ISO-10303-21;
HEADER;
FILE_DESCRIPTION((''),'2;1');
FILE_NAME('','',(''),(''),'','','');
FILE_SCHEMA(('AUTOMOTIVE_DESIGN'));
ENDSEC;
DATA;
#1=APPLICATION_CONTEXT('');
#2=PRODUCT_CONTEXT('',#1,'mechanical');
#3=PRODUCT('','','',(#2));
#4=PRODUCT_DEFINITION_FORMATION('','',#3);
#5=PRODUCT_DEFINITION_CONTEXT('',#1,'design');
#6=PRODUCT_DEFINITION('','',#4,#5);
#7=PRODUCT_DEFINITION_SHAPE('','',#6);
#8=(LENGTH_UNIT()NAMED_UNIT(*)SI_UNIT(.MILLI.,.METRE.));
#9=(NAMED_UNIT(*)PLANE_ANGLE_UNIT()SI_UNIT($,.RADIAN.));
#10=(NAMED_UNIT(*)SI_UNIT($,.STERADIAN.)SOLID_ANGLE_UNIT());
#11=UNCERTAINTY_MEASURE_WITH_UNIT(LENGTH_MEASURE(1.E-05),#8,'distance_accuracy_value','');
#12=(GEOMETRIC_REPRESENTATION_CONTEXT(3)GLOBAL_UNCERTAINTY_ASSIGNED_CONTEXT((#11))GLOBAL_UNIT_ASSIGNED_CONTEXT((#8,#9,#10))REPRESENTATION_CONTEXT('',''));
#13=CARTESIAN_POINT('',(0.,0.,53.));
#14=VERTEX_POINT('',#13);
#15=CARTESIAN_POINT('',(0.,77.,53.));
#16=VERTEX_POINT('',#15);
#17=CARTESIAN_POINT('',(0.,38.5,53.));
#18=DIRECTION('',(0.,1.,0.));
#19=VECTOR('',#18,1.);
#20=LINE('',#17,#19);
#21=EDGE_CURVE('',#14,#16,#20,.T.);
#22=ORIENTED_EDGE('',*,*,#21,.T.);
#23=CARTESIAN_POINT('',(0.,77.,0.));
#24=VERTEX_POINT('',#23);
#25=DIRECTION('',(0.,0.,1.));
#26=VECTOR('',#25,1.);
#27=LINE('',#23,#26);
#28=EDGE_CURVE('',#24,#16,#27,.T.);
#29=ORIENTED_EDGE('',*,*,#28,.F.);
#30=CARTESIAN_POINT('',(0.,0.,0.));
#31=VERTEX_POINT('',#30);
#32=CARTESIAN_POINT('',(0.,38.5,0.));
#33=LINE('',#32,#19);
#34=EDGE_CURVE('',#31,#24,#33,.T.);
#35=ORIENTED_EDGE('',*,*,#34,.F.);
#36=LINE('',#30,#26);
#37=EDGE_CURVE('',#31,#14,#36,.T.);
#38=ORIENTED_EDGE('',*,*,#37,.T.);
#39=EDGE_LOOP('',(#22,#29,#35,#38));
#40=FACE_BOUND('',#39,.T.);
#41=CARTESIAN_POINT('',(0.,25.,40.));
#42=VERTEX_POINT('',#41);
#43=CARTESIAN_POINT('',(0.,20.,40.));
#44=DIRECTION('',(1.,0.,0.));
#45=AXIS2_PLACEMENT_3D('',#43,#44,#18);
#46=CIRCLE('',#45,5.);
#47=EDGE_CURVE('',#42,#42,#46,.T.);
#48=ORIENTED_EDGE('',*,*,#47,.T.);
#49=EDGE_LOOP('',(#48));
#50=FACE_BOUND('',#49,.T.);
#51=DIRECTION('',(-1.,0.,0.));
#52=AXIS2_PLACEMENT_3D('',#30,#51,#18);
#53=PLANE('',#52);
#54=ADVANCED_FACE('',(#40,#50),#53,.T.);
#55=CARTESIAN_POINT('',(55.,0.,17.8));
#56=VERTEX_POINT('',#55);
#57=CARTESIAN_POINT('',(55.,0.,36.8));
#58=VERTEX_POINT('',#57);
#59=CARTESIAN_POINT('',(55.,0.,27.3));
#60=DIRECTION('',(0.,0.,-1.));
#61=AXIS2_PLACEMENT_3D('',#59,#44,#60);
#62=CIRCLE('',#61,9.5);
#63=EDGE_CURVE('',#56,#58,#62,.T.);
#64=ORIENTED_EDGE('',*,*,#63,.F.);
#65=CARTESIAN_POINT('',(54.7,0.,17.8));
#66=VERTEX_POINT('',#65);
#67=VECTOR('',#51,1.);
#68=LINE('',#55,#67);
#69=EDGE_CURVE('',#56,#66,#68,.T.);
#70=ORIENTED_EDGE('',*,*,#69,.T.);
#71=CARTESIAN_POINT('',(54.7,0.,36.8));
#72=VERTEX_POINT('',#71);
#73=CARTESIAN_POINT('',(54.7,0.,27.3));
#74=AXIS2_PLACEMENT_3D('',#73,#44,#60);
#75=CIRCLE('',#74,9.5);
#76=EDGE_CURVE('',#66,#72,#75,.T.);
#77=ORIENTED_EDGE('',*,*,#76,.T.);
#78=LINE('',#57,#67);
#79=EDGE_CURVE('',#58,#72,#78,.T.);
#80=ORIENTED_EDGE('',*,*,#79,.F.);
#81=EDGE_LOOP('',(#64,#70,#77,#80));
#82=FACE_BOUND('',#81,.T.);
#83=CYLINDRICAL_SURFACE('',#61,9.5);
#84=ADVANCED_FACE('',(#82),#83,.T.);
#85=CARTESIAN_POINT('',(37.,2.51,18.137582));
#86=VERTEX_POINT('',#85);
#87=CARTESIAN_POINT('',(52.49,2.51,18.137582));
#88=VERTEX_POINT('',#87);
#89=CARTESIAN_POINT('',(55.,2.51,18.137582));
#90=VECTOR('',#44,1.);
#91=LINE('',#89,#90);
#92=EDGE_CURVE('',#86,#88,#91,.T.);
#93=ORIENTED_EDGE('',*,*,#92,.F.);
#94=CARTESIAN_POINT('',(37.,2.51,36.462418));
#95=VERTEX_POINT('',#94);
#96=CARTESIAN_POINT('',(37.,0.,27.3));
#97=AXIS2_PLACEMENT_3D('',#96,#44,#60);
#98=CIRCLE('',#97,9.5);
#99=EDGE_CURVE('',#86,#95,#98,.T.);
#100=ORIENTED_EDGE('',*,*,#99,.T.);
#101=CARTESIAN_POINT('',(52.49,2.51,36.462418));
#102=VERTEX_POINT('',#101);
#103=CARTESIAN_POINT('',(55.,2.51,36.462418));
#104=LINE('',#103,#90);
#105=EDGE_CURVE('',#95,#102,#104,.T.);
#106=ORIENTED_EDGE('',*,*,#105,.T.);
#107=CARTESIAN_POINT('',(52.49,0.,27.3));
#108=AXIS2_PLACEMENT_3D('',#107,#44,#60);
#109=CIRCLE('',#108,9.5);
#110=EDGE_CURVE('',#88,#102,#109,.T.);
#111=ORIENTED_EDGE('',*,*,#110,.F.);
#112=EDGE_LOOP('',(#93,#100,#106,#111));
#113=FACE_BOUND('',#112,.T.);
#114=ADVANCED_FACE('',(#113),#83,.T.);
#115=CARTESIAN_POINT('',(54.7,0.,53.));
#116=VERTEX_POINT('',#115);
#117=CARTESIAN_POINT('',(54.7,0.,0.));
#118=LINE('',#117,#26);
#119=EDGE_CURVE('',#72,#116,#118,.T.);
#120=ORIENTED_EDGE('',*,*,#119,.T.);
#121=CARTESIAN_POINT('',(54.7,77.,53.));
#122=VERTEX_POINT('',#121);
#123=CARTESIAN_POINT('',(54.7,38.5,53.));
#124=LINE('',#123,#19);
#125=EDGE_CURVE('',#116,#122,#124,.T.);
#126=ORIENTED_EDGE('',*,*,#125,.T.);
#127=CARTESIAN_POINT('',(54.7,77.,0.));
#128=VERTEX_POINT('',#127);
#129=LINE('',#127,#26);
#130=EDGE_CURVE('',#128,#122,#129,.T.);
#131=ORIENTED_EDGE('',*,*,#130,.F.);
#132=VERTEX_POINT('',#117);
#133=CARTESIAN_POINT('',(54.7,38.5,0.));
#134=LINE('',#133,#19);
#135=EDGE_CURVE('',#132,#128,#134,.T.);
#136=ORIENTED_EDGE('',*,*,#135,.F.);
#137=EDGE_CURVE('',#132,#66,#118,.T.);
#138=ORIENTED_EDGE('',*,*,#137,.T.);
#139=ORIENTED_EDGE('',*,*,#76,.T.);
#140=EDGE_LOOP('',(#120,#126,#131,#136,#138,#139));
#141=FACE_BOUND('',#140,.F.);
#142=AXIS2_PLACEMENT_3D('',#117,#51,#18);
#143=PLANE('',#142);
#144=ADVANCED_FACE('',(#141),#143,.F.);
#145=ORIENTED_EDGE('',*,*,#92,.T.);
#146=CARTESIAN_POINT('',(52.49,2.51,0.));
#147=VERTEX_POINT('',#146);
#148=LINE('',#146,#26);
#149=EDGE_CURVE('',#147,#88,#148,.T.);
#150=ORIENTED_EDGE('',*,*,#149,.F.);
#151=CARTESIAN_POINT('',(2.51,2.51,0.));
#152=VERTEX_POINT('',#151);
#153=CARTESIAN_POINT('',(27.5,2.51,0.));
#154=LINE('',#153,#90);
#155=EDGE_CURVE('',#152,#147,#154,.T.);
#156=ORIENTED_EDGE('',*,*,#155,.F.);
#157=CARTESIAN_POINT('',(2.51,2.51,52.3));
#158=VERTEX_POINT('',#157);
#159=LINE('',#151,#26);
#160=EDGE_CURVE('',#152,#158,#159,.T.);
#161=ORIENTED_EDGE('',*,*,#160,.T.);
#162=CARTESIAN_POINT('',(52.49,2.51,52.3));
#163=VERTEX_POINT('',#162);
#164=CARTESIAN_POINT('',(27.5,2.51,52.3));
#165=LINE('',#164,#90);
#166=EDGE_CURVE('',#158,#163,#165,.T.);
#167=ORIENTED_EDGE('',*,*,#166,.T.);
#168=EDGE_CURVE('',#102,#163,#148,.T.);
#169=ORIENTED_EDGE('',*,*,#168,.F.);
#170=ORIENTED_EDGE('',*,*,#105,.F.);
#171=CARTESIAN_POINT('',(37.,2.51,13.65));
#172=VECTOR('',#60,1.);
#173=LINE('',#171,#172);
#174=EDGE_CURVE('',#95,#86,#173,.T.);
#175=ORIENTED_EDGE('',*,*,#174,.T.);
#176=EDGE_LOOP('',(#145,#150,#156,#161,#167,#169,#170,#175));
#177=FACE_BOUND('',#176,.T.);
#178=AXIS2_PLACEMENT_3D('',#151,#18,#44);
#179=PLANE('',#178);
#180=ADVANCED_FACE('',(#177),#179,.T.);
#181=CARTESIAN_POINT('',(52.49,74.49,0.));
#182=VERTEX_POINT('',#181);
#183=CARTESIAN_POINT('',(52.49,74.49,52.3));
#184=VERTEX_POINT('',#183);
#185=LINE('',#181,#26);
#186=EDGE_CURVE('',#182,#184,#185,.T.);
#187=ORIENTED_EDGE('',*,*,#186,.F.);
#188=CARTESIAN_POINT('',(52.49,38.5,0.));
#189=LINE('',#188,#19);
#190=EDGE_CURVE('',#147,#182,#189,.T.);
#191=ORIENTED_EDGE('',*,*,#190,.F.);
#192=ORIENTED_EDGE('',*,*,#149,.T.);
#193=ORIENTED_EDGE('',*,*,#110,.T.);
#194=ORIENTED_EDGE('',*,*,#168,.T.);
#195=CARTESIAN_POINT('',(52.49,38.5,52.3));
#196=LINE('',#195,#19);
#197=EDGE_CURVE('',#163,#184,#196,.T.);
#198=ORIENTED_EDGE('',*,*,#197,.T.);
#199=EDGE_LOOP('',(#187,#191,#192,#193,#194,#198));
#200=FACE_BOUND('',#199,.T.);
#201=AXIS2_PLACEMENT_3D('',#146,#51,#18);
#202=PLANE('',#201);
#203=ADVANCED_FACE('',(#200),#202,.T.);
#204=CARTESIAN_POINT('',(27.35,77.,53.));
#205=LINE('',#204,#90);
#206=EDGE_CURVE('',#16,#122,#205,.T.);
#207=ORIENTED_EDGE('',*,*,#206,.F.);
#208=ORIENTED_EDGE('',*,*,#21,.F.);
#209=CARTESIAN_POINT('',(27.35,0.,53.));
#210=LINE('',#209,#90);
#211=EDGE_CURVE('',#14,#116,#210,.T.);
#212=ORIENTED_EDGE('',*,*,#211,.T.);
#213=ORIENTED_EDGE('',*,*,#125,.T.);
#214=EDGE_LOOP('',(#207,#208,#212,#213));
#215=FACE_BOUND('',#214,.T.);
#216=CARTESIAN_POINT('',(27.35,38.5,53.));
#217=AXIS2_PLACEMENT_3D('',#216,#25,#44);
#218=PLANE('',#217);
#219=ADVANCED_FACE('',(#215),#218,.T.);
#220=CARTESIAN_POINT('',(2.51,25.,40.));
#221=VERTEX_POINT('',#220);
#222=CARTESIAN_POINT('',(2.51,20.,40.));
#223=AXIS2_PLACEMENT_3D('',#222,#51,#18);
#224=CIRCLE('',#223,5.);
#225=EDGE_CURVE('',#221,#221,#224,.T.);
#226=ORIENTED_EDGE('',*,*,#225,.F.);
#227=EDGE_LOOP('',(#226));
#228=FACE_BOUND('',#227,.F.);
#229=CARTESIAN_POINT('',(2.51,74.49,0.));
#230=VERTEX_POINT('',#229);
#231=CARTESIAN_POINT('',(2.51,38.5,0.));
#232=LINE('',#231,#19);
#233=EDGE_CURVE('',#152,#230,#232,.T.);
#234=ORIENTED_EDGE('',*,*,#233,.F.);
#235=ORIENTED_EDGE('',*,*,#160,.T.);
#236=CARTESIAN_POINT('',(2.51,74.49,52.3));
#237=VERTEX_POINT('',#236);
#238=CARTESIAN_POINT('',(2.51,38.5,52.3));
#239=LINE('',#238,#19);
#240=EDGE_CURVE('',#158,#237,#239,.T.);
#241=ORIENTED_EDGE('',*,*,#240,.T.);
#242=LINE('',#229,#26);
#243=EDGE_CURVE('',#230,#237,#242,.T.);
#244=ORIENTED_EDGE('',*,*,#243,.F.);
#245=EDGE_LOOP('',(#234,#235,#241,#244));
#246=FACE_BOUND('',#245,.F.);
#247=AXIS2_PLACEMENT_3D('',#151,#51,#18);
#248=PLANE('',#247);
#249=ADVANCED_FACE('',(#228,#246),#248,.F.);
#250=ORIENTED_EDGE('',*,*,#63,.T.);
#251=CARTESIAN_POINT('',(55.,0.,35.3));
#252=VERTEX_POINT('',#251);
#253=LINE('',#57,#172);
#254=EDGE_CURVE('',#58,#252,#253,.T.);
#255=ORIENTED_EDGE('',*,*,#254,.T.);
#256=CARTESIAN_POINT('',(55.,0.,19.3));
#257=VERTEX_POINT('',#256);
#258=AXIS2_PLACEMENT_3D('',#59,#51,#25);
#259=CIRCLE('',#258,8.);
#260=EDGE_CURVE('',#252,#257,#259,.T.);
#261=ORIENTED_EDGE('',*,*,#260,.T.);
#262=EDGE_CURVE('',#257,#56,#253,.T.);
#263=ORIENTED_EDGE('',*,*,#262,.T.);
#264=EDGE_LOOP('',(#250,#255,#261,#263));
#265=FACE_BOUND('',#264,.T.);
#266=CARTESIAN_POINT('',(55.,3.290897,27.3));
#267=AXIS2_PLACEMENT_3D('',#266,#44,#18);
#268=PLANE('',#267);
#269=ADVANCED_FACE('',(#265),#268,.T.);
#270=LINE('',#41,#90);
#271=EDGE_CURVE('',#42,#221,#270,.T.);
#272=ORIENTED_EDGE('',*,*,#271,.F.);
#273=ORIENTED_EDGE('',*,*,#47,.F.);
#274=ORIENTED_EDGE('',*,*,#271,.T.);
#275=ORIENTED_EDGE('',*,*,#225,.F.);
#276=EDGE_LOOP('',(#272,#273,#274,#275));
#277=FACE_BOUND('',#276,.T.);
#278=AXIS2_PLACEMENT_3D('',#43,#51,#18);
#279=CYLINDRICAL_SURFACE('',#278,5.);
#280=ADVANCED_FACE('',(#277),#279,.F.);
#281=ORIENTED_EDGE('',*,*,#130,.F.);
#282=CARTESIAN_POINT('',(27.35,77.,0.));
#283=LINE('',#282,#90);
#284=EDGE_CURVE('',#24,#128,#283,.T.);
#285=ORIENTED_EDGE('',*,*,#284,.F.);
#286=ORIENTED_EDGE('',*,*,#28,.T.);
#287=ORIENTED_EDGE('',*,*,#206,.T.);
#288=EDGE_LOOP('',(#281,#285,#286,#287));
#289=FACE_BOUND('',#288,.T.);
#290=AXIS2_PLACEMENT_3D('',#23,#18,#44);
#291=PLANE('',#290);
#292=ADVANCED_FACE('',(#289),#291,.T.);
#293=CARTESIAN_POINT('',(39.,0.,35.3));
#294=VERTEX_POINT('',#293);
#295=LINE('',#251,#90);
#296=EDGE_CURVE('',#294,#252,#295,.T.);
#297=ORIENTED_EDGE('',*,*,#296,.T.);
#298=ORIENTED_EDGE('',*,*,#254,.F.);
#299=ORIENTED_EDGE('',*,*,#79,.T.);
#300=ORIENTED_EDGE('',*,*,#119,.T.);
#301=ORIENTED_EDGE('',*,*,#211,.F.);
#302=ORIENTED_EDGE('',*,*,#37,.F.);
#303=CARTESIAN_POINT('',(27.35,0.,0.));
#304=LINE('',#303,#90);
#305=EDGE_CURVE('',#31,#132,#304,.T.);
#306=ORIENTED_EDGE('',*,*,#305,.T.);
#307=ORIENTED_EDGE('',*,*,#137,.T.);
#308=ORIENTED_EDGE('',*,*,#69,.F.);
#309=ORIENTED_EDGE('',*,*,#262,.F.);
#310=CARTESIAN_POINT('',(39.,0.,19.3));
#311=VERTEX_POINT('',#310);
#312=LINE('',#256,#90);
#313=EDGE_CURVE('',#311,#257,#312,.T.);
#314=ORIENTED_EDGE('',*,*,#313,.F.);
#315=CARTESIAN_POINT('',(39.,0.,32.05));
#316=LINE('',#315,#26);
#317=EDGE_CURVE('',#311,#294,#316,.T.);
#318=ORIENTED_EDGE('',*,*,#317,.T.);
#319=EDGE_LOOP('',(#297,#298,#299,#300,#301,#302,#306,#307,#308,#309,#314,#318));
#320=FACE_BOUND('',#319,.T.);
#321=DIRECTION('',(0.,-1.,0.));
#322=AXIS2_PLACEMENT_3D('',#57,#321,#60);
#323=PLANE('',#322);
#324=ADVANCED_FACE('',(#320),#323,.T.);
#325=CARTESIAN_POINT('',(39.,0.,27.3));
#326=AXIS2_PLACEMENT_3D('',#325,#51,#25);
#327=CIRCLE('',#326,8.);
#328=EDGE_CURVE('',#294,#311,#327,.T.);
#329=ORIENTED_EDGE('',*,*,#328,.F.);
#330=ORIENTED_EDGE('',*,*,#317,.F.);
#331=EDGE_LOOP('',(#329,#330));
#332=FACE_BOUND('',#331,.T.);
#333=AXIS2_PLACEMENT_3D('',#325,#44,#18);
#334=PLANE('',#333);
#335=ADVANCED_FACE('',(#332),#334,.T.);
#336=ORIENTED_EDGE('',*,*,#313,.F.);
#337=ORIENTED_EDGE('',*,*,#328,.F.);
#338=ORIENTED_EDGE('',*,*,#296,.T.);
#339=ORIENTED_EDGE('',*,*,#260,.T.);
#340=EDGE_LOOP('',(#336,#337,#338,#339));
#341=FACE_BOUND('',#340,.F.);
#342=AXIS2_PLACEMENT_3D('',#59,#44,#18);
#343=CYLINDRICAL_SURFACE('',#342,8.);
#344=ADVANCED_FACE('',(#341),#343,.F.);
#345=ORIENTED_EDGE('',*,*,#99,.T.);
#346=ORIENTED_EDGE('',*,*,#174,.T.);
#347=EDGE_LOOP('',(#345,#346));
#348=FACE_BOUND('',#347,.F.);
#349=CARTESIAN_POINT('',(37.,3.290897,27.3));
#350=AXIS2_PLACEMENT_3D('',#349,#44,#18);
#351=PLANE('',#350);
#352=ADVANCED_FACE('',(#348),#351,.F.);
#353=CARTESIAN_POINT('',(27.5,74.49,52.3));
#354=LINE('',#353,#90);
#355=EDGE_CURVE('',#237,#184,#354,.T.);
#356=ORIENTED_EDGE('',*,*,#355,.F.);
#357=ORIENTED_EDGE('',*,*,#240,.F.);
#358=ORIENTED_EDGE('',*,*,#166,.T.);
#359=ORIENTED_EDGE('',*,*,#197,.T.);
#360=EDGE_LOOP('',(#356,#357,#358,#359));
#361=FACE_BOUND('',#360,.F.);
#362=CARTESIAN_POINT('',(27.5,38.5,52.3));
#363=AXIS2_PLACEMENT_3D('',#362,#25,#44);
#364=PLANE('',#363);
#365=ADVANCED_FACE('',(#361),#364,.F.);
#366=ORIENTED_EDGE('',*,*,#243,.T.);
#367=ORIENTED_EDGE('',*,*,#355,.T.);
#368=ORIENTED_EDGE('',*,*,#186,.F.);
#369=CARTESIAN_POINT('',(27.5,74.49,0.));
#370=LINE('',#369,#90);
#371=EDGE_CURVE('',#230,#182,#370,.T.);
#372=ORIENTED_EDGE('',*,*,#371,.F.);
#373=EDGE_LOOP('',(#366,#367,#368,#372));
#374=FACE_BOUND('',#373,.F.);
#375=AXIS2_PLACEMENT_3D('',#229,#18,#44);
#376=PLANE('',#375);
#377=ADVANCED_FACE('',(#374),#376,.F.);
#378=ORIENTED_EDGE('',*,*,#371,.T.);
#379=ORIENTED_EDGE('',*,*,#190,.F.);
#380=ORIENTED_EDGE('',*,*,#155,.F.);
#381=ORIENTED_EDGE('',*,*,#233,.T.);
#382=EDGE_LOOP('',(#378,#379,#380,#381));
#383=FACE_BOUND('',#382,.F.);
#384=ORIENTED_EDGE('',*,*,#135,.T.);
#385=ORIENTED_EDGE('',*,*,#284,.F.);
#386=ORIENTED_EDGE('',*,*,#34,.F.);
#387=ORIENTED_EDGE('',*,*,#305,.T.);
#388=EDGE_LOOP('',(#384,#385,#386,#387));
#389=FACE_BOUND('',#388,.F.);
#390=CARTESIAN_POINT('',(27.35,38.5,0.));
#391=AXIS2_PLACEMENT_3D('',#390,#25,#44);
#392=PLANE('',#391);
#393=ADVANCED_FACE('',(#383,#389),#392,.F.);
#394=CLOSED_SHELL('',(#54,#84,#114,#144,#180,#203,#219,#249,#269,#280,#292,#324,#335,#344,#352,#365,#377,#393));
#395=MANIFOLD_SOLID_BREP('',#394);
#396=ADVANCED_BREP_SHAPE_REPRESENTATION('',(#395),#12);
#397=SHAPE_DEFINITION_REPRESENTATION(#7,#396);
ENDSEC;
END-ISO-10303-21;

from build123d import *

# Parameters (mm, degrees)
SKETCH_W        = 54.7
SKETCH_H        = 77
PAD_DEPTH       = 53
SKETCH001_W     = 49.98
SKETCH001_H     = 71.98
POCKET_DEPTH    = 52.3
SKETCH002_R     = 5
POCKET001_DEPTH = 5
PAD001_DEPTH    = 18
SKETCH003_R     = 8
POCKET002_DEPTH = 16


with BuildPart() as part:
    # Sketch → Pad (new body)
    with BuildSketch(Plane.XY):
        with Locations((27.35, 38.5)):
            Rectangle(SKETCH_W, SKETCH_H)
    extrude(amount=PAD_DEPTH)

    # Sketch001 → Pocket (cut)
    with BuildSketch(Plane.XY):
        with Locations((27.5, 38.5)):
            Rectangle(SKETCH001_W, SKETCH001_H)
    extrude(amount=POCKET_DEPTH, mode=Mode.SUBTRACT)

    # Sketch002 → Pocket001 (cut)
    with BuildSketch(Plane.YZ):
        with Locations((20, 40)):
            Circle(SKETCH002_R)
    extrude(amount=POCKET001_DEPTH, mode=Mode.SUBTRACT)

    # Sketch004 (on DatumPlane) → Pad001 (join)
    with BuildSketch(Plane.YZ.offset(55)):
        with BuildLine():
            ThreePointArc((0, 17.8), (9.5, 27.3), (0, 36.8))
            Line((0, 36.8), (0, 17.8))
        make_face()
    extrude(amount=-PAD001_DEPTH)

    # Sketch003 (on DatumPlane) → Pocket002 (cut, symmetric)
    with BuildSketch(Plane.YZ.offset(55)):
        with Locations((0, 27.3)):
            Circle(SKETCH003_R)
    extrude(amount=POCKET002_DEPTH, both=True, mode=Mode.SUBTRACT)


solid = part.part
